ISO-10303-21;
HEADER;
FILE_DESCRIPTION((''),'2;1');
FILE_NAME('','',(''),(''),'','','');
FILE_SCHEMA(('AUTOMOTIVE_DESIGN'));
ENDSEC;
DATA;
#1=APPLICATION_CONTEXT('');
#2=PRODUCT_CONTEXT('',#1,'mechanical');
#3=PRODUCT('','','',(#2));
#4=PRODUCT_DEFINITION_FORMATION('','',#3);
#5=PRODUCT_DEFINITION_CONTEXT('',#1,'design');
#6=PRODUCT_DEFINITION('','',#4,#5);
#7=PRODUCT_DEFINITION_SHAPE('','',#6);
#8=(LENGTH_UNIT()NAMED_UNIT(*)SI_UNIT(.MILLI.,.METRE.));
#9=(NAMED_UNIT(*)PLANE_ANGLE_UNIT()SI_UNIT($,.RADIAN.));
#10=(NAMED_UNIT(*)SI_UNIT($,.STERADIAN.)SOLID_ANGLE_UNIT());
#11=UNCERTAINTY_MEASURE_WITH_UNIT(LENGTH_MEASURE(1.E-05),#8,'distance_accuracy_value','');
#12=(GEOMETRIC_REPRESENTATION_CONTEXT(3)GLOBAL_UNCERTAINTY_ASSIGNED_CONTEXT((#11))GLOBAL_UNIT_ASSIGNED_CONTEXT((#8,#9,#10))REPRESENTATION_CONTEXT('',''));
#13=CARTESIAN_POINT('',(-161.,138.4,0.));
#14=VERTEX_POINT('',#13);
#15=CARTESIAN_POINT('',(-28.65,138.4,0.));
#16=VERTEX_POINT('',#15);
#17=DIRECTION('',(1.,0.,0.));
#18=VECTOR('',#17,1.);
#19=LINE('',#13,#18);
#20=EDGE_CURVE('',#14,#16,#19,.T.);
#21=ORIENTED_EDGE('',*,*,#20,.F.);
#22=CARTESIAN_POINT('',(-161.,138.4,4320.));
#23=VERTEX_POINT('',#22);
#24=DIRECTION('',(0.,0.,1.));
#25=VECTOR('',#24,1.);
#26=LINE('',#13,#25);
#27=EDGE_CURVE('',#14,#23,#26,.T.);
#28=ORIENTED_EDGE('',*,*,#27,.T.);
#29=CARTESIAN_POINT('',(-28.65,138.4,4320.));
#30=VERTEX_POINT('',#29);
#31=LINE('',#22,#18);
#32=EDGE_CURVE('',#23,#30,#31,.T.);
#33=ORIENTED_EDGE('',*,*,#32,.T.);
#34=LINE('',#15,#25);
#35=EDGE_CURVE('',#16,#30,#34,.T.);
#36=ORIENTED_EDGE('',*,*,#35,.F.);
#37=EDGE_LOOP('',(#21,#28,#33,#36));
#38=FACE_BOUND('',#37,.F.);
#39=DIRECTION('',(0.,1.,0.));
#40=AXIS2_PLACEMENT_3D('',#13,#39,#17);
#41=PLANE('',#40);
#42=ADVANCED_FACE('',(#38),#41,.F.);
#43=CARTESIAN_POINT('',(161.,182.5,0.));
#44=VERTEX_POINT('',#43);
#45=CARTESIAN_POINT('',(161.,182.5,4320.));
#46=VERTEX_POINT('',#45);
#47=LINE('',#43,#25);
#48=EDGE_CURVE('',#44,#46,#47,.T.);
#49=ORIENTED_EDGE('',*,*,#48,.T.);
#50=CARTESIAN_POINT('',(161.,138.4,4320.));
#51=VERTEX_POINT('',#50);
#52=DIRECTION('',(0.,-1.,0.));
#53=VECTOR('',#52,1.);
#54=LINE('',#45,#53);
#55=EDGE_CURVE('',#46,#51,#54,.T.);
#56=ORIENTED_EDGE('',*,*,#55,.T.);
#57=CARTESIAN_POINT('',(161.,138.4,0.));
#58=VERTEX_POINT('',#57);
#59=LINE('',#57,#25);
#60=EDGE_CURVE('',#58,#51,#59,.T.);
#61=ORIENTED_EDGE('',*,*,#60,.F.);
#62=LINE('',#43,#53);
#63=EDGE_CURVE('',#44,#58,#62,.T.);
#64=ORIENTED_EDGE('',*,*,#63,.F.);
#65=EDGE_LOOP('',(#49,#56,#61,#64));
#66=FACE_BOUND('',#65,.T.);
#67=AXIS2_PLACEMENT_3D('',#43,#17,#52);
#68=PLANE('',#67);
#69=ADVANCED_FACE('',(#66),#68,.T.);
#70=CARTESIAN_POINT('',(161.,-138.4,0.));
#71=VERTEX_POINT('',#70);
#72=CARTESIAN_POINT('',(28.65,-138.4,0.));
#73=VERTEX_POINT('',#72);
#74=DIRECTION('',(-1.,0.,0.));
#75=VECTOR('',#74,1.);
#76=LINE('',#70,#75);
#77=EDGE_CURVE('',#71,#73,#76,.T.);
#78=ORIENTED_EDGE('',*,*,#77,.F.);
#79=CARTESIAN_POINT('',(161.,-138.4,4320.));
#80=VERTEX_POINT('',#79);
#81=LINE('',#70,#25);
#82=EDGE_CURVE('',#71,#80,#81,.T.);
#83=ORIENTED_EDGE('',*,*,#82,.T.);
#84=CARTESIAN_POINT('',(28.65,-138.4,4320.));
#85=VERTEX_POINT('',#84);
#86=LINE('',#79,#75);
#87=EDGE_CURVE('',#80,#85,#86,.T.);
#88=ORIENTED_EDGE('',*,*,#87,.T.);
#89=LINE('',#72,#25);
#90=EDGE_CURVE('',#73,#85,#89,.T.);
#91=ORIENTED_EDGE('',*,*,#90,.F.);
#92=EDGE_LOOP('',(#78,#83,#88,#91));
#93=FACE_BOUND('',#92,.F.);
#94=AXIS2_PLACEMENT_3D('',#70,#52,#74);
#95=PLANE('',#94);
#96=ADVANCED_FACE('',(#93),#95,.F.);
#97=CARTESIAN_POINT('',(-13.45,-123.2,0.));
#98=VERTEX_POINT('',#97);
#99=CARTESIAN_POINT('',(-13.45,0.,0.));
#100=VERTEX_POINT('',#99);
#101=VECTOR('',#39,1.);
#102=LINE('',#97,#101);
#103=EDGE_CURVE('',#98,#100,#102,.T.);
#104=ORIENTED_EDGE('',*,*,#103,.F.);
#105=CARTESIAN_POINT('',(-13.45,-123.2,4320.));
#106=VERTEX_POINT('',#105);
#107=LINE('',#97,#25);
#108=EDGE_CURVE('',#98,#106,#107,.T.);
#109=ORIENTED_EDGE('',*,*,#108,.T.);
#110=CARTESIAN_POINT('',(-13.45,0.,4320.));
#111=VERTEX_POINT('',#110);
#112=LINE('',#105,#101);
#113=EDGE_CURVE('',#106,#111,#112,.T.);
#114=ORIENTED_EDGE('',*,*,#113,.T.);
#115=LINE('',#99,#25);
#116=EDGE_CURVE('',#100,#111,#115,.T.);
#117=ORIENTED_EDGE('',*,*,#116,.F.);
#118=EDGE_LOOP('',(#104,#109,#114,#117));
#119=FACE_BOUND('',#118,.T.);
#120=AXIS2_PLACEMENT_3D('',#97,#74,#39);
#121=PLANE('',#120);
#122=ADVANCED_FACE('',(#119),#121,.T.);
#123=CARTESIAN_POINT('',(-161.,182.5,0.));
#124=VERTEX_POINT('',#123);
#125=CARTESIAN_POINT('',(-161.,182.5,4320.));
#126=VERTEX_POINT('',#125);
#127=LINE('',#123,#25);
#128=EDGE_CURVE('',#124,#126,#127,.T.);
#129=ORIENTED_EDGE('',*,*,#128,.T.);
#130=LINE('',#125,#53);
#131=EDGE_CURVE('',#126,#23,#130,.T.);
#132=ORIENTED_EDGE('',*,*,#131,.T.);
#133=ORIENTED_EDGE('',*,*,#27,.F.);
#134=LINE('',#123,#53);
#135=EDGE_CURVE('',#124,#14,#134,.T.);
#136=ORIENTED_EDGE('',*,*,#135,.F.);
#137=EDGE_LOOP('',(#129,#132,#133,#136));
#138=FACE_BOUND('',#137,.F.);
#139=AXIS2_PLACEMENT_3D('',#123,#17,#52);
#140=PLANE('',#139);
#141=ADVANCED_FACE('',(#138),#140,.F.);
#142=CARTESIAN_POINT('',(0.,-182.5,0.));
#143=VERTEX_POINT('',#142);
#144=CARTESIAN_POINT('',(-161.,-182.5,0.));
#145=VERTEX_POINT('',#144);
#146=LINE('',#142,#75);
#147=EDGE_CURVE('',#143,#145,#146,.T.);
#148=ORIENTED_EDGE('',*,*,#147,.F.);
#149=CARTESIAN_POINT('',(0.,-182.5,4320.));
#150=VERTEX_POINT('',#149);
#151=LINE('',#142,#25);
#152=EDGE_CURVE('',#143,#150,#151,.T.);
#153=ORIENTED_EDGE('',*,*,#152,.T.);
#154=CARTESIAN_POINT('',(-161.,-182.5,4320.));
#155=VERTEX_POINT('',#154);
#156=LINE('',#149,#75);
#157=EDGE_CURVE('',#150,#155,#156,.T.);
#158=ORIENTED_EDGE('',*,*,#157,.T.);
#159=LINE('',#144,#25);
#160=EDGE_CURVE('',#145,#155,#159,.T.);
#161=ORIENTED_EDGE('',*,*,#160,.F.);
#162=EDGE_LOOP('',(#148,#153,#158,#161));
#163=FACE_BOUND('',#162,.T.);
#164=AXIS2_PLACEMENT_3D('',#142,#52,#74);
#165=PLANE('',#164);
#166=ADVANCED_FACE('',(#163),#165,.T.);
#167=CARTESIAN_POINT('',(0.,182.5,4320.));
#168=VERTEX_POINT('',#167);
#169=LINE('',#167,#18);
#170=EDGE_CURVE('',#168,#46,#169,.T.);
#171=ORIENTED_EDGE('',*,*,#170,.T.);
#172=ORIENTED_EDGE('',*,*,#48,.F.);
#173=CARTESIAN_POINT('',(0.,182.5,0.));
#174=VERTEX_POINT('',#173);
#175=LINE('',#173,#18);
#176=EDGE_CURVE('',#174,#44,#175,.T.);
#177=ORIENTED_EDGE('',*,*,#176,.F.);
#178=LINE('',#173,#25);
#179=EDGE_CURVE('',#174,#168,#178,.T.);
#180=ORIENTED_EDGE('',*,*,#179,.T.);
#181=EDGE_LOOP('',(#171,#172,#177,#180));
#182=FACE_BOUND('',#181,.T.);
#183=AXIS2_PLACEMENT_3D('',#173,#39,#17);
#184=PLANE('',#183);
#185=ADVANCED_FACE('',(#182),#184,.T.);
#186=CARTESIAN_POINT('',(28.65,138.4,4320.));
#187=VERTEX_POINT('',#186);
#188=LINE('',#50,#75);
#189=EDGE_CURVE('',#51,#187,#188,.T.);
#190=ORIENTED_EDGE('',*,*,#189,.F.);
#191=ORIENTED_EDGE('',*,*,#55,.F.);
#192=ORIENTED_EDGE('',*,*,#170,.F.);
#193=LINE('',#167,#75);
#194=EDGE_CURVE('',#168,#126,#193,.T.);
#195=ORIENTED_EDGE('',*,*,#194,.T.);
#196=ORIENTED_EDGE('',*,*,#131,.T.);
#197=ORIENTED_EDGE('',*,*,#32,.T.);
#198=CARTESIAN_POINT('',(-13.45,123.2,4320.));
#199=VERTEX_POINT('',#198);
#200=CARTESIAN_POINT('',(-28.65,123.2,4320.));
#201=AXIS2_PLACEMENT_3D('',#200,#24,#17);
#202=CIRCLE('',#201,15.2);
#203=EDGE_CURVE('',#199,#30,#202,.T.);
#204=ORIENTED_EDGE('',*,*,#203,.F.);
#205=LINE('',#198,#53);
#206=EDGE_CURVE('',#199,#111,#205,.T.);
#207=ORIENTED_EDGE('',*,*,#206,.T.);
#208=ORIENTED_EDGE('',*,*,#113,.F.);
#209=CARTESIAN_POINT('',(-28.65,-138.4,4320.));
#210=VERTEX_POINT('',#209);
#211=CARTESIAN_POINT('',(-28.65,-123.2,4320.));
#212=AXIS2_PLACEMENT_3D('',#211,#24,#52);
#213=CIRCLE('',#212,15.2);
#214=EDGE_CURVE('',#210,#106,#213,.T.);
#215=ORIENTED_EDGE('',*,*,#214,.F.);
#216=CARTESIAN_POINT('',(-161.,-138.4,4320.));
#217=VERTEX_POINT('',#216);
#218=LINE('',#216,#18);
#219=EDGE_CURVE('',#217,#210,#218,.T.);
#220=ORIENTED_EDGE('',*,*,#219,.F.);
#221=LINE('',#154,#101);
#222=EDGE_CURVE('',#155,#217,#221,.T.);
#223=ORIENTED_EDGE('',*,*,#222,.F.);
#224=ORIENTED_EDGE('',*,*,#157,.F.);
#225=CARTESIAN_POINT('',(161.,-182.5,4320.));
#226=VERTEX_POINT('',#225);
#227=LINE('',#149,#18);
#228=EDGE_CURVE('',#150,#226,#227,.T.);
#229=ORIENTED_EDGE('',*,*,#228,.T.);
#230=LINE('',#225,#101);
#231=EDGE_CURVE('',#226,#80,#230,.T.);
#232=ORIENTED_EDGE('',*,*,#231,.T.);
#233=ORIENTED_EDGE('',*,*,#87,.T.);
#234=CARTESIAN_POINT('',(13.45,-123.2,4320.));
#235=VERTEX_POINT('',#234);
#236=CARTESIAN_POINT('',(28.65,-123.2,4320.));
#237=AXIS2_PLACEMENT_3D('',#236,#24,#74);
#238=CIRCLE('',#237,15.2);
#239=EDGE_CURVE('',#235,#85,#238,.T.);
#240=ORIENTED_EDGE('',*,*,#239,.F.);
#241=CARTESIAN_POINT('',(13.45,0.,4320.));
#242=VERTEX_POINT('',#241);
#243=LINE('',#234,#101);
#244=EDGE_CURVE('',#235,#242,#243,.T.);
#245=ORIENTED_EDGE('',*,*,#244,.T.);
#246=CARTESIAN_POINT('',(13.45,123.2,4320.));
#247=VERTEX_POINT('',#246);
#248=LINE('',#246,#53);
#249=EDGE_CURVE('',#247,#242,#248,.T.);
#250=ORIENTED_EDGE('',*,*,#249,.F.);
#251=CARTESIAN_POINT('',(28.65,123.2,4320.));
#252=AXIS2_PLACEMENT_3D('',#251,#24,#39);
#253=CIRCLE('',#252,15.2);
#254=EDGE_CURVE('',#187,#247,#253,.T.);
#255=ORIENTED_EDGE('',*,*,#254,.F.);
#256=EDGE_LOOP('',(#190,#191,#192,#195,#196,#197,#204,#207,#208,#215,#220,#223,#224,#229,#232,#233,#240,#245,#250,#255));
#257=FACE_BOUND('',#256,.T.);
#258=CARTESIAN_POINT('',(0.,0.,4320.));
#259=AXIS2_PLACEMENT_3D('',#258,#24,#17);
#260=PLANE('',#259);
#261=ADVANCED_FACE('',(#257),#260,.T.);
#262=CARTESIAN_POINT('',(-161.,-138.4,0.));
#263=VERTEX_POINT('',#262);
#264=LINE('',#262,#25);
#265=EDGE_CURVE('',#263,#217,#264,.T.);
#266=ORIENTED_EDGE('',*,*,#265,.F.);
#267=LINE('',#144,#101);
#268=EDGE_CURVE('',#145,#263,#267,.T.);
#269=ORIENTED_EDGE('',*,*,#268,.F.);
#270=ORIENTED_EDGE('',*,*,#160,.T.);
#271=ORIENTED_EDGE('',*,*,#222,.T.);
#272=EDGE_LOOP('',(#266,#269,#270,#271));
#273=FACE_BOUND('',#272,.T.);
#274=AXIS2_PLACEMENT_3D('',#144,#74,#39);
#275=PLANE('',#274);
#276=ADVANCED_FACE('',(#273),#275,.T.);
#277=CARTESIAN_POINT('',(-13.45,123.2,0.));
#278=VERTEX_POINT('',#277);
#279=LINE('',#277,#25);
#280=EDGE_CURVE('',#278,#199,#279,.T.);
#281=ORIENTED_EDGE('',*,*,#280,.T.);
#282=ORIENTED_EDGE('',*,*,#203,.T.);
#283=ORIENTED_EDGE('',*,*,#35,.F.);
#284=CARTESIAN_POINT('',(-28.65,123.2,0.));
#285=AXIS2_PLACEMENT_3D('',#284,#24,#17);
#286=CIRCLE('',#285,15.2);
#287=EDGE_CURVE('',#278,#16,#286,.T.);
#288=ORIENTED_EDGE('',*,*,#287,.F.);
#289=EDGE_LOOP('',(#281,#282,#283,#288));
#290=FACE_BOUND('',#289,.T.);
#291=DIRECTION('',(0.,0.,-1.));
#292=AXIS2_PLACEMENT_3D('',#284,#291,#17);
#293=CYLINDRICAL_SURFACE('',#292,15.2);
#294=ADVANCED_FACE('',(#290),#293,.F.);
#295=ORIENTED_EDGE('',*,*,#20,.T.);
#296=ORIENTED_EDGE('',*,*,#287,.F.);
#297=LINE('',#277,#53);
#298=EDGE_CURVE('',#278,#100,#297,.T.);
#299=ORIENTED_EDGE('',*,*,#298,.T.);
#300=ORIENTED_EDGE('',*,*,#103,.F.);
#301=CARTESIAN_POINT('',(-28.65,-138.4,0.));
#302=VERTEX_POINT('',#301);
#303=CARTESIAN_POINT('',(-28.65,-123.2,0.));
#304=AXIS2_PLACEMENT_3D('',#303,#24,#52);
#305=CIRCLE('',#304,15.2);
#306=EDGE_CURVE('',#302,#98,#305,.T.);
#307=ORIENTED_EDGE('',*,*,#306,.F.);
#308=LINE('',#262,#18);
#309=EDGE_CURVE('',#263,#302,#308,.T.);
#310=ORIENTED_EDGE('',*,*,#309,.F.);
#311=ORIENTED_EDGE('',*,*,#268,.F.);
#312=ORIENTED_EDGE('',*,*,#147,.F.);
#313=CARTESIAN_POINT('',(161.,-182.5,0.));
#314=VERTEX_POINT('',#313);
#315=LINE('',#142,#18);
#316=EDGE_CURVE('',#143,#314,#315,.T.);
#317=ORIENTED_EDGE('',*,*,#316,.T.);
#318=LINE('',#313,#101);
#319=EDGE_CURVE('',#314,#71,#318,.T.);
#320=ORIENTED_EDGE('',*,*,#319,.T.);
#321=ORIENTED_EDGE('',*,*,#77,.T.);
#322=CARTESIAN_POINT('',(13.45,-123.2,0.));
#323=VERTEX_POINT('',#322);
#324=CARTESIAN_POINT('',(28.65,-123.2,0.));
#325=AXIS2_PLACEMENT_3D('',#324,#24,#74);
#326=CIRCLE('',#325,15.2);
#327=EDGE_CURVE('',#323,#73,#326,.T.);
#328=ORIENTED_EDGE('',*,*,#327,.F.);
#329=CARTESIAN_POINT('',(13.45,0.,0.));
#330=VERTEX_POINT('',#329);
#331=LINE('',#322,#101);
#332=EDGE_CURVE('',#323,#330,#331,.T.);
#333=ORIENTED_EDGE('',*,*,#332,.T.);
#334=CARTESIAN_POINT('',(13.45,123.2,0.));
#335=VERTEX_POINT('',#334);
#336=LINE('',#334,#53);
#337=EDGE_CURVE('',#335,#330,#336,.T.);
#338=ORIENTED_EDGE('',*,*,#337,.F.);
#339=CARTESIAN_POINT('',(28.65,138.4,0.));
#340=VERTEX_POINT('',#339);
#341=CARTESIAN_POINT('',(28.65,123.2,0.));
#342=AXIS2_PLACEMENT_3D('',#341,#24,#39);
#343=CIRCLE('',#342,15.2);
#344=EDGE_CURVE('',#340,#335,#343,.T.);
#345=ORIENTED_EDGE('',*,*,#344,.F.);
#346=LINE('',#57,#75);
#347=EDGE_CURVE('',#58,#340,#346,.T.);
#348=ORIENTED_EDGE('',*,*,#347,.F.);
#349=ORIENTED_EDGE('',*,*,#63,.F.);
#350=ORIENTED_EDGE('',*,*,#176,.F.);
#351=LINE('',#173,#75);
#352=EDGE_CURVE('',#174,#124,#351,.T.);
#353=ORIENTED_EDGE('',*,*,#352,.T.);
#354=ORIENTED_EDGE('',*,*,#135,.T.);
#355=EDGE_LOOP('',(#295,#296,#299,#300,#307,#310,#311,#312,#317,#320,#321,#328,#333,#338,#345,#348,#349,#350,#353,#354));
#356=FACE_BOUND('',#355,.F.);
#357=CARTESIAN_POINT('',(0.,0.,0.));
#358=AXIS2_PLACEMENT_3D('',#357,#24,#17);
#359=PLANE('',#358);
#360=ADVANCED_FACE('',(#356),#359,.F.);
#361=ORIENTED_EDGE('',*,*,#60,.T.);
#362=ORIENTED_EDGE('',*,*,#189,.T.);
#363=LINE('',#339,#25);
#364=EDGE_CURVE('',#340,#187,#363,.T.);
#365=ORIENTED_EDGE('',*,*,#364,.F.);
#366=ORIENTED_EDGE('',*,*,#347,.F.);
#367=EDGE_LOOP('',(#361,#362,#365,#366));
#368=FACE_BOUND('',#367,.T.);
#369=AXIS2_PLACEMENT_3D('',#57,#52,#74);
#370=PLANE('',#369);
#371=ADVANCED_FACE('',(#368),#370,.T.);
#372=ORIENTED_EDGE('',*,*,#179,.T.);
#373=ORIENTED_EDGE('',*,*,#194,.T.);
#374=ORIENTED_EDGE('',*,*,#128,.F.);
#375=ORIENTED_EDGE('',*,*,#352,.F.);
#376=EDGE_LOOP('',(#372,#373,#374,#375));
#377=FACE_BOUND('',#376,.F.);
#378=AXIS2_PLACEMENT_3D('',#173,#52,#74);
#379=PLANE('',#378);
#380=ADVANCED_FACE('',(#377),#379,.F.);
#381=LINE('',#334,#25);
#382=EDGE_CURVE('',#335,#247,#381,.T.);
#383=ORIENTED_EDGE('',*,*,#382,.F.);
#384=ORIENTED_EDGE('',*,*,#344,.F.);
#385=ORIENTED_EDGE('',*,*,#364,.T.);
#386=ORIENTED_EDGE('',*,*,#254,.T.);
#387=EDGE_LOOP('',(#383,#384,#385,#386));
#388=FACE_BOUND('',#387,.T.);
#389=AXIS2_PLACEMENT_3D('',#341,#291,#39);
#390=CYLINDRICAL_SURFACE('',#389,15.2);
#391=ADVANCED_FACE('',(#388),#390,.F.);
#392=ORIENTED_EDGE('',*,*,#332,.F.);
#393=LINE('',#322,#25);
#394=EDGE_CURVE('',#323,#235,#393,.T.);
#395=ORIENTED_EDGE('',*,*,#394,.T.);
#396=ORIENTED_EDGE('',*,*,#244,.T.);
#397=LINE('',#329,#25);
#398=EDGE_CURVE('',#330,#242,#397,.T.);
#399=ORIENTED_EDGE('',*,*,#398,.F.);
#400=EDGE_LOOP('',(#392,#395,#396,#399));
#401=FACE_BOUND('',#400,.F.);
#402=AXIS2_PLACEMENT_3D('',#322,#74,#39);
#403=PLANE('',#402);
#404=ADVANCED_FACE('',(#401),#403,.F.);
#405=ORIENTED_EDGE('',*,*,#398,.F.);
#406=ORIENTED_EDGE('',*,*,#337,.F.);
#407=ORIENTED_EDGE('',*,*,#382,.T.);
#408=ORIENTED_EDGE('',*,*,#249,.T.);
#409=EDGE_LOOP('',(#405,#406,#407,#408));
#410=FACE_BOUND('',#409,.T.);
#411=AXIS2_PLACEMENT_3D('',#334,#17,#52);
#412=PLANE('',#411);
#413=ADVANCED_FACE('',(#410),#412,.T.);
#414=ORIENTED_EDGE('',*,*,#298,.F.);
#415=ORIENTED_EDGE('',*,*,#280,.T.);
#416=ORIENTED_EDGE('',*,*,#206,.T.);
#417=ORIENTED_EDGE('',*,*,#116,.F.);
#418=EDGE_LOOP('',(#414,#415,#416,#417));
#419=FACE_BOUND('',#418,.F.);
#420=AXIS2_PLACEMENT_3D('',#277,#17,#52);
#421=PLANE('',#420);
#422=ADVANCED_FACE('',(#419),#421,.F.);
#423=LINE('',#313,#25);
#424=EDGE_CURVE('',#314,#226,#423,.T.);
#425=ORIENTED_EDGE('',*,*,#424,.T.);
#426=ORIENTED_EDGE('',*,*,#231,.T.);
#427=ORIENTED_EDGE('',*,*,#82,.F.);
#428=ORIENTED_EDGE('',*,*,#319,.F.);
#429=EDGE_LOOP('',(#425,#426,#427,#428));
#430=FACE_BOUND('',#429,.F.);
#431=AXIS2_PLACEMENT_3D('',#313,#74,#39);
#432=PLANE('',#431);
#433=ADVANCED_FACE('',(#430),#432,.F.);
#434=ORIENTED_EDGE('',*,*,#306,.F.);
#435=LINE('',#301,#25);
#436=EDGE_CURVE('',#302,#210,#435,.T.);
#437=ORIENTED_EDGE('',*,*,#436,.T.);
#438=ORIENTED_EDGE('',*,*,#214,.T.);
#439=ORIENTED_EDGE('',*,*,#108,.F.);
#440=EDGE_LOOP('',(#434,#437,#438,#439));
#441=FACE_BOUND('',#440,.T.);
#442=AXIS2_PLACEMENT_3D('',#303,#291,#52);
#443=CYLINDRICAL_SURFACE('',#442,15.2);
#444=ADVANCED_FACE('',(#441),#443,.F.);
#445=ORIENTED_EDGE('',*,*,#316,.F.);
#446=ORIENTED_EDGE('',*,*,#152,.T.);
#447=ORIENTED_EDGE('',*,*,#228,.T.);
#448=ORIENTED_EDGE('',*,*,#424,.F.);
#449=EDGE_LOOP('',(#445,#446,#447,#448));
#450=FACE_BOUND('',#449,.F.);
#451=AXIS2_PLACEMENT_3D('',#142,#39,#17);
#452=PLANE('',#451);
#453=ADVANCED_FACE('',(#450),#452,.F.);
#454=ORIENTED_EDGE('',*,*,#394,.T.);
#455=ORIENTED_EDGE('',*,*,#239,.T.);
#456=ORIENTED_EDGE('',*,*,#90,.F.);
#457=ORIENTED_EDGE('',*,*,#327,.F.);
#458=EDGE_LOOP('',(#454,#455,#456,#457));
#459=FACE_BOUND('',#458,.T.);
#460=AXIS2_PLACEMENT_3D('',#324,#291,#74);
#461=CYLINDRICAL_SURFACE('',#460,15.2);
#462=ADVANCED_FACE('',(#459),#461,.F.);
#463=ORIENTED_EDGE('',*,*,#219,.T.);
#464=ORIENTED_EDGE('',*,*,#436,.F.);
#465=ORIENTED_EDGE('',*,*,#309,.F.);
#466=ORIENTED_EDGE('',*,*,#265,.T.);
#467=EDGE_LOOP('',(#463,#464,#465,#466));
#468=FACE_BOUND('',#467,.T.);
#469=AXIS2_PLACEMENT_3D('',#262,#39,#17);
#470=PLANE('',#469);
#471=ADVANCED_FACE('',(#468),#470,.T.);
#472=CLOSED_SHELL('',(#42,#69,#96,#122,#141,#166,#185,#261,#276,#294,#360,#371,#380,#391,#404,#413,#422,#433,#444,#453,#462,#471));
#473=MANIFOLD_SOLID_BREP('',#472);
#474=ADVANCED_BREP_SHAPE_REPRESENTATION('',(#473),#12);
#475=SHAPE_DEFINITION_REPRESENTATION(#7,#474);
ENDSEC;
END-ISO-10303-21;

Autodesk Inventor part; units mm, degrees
ref_plane "YZ Plane" through (0, 0, 0) normal (1, 0, 0) x (0, 1, 0)
ref_plane "Start plane" through (0, 0, 0) normal (0, 0, 1) x (1, 0, 0)
ref_plane "End plane" through (0, 0, 4320) normal (0, 0, 1) x (1, 0, 0)
sketch "Sketch" plane through (0, 0, 0) normal (0, 0, 1) x (1, 0, 0)
  line L0 (-161, -182.5) -> (-161, -138.4)
  line L1 (-161, -138.4) -> (-28.65, -138.4)
  line L2 (-13.45, -123.2) -> (-13.45, 0)
  line L3 (-13.45, 0) -> (0, 0) construction
  line L4 (0, 0) -> (0, -182.5) construction
  line L5 (0, -182.5) -> (-161, -182.5)
  line L6 (-60, 0) -> (80, 0) construction
  line L7 (0, -60) -> (0, 80) construction
  line L8 (161, -182.5) -> (161, -138.4)
  line L9 (161, -138.4) -> (28.65, -138.4)
  line L10 (13.45, -123.2) -> (13.45, 0)
  line L11 (13.45, 0) -> (0, 0) construction
  line L12 (0, -182.5) -> (161, -182.5)
  line L13 (-161, 182.5) -> (-161, 138.4)
  line L14 (-161, 138.4) -> (-28.65, 138.4)
  line L15 (-13.45, 123.2) -> (-13.45, 0)
  line L16 (0, 182.5) -> (-161, 182.5)
  line L17 (161, 182.5) -> (161, 138.4)
  line L18 (161, 138.4) -> (28.65, 138.4)
  line L19 (0, 182.5) -> (161, 182.5)
  line L20 (13.45, 123.2) -> (13.45, 0)
  arc A0 (-13.45, 123.2) -> (-28.65, 138.4) centre (-28.65, 123.2) ccw
  arc A1 (28.65, 138.4) -> (13.45, 123.2) centre (28.65, 123.2) ccw
  arc A2 (13.45, -123.2) -> (28.65, -138.4) centre (28.65, -123.2) ccw
  arc A3 (-28.65, -138.4) -> (-13.45, -123.2) centre (-28.65, -123.2) ccw
  line L21 (0, 108) -> (0, -88) construction
  line L22 (-88, 0) -> (108, 0) construction
  point P0 (-13.45, -138.4)
  point P1 (13.45, -138.4)
  point P2 (-13.45, 138.4)
  point P3 (13.45, 138.4)
  dimension "d1" = 182.5
  dimension "d2" = 44.1
  dimension "d3" = 161
  dimension "d4" = 13.45
  dimension "d10" = 15.2
extrude "Body" add sketch "Sketch" along normal up to surface (4320 mm away) from surface at 0
sketch "Sketch4" plane through (0, 0, 0) normal (0, 0, 1) x (1, 0, 0)
  line L0 (0, 0) -> (10, 0)
ref_plane "Work Plane3" through (0, 0, 0) normal (0, -1, 0) x (1, 0, 0)
sketch "Sketch5" plane through (0, 0, 0) normal (0, -1, 0) x (1, 0, 0)
  line L0 (-2, 0) -> (12, 0) projected
  line L1 (-2, 4320) -> (12, 4320) projected
  dimension "d14" = 4320
equation "\"d1\" = 0.5 * G_H"
equation "\"d2\" = G_T1"
equation "\"d3\" = 0.5 * G_W"
equation "\"d4\" = 0.5 * G_T"
equation "\"d10\" = G_IR"
equation "\"d5\" = G_L"
equation "\"G_W\" = 322"
equation "\"G_H\" = 365"
equation "\"G_T\" = 26.9"
equation "\"G_T1\" = 44.1"
equation "\"G_IR\" = 15.2"
equation "\"G_L\" = d14"
equation "\"G_OFFSET_START\" = 0"
equation "\"G_OFFSET_END\" = 0"
properties part number "AS 3679 - 310 UC - 283 - 4320" material "Steel, Mild"
